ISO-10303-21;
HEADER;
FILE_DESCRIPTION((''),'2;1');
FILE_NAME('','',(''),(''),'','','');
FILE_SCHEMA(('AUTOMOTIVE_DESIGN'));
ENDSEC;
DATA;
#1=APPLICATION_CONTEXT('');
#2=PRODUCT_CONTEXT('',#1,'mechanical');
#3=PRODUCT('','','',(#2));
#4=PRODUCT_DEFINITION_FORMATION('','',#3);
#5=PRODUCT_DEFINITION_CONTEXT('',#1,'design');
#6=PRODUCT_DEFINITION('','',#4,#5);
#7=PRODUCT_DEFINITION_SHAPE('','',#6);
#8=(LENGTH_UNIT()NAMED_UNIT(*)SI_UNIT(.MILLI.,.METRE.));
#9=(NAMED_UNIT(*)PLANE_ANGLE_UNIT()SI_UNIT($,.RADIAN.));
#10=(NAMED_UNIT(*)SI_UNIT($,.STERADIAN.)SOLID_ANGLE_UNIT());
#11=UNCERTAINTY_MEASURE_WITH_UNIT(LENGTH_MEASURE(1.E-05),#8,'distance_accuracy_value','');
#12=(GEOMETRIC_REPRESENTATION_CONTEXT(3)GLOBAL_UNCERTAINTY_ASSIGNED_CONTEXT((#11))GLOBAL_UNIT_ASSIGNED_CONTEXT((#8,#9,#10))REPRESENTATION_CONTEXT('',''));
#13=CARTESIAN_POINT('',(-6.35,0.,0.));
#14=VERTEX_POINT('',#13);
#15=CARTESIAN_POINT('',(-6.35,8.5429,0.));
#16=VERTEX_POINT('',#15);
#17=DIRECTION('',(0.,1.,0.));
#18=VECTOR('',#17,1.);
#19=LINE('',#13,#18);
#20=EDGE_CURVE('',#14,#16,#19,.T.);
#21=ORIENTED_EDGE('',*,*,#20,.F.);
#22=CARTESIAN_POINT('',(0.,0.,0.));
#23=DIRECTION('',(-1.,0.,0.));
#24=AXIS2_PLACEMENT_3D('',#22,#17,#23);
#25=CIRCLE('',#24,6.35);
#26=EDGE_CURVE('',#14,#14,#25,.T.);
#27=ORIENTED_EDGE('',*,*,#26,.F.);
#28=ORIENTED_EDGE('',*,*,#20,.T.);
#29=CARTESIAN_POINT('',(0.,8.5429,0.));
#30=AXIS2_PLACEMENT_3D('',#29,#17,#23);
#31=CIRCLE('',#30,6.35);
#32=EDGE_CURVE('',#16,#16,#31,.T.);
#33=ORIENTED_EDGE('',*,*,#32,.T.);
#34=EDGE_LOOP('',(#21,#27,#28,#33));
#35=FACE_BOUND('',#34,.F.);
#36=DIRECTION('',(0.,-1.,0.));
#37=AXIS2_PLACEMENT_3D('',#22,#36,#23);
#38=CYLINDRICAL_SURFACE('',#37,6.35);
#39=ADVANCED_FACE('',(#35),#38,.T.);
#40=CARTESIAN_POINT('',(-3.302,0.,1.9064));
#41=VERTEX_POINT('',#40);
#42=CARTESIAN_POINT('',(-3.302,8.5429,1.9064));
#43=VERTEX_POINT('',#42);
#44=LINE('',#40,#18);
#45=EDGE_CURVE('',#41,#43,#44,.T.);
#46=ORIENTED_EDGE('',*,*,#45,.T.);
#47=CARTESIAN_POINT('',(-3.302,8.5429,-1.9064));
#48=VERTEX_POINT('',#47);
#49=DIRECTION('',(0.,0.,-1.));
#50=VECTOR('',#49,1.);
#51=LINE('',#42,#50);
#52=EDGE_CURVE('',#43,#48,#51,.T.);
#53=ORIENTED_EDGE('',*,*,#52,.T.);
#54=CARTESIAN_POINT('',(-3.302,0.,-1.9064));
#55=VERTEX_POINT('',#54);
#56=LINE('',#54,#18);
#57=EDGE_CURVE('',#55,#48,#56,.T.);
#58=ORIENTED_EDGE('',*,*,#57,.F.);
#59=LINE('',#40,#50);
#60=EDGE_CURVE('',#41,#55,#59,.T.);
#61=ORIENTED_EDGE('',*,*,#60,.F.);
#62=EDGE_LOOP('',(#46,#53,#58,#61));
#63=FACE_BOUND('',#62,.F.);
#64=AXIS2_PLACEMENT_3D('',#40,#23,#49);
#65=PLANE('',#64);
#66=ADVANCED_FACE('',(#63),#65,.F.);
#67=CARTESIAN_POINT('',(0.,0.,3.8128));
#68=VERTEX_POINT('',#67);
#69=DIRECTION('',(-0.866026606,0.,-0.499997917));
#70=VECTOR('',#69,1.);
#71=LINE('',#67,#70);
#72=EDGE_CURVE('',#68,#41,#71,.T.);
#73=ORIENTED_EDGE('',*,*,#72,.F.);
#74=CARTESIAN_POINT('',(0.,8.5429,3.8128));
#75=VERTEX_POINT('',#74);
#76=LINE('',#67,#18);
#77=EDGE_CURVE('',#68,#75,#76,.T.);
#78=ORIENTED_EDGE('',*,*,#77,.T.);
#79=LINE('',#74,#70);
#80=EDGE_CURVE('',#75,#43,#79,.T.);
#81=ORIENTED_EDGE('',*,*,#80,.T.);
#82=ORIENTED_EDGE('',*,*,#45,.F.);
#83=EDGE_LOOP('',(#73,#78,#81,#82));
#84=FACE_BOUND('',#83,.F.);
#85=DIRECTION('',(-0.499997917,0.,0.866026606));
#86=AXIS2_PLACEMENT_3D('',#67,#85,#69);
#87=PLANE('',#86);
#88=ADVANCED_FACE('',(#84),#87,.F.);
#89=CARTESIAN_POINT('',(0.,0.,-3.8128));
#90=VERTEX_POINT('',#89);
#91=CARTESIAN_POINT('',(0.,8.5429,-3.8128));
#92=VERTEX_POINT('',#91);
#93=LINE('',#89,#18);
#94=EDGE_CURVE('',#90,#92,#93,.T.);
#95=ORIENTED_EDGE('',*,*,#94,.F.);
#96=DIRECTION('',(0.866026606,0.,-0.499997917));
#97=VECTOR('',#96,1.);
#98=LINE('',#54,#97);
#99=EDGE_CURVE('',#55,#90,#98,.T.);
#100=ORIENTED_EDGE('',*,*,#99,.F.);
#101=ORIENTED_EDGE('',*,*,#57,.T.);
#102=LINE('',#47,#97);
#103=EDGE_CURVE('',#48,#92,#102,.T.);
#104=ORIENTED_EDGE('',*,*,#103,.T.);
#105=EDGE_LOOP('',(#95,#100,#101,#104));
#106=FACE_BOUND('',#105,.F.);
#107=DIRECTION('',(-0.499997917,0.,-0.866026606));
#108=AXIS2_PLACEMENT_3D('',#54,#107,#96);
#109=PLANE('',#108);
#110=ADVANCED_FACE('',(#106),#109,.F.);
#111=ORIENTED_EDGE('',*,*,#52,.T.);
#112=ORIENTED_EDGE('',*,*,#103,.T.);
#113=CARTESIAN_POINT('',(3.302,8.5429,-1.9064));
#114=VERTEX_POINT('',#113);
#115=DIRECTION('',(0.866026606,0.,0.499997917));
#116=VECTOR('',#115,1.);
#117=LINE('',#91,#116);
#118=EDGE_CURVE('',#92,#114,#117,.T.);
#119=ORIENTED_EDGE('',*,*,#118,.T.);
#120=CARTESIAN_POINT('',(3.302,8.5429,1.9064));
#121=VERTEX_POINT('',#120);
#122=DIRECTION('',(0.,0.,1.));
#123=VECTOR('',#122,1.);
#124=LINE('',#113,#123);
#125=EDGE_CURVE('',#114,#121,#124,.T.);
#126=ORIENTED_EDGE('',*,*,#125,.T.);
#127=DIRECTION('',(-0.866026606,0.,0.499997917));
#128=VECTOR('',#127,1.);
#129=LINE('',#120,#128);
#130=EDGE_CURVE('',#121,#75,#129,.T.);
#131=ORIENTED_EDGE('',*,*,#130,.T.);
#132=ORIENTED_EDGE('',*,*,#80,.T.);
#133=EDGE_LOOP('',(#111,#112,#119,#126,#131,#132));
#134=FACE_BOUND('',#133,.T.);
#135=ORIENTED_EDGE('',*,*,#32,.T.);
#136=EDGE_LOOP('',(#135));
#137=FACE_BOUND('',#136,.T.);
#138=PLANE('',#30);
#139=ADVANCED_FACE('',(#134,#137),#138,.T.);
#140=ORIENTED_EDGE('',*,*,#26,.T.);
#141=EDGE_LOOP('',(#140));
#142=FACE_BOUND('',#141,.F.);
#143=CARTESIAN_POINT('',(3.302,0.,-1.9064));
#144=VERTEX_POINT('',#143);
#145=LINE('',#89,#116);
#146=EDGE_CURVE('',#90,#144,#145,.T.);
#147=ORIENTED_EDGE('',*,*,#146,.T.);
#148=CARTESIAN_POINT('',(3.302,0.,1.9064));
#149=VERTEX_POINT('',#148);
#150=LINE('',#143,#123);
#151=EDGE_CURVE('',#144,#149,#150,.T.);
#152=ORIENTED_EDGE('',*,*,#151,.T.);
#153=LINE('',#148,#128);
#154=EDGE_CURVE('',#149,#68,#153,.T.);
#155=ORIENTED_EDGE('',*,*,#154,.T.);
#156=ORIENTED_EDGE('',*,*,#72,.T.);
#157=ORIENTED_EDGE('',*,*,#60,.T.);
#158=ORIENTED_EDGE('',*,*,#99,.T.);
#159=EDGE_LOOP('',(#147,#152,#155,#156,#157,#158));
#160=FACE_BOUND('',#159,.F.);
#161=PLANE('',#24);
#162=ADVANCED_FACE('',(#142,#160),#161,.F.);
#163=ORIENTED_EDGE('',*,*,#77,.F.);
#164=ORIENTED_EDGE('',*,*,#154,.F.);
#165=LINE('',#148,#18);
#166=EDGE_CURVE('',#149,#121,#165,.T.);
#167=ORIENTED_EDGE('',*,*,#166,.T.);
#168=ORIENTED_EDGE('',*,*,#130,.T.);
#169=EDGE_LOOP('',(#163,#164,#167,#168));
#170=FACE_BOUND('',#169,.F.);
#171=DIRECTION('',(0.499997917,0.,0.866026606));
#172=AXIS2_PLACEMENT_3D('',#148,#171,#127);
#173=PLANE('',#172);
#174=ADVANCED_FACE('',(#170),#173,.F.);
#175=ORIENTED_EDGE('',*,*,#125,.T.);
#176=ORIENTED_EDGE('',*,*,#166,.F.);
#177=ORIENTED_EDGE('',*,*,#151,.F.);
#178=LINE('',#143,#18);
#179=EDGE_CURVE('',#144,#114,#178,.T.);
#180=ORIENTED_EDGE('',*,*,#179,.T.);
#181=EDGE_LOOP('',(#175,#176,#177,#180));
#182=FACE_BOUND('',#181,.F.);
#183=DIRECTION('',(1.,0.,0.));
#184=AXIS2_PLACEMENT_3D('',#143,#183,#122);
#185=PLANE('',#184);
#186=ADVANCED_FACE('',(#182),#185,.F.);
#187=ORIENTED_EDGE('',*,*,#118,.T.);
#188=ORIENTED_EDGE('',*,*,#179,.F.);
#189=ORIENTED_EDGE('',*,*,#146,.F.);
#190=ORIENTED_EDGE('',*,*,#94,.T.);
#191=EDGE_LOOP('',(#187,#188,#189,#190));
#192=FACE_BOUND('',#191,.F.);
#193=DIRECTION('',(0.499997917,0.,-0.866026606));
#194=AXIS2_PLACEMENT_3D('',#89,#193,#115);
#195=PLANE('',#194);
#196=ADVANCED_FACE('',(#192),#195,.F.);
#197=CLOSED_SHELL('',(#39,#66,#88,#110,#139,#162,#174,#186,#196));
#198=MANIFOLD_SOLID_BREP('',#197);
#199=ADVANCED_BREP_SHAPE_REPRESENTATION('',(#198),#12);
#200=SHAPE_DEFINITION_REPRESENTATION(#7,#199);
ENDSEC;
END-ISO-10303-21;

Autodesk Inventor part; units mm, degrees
ref_plane "YZ Plane" through (0, 0, 0) normal (1, 0, 0) x (0, 1, 0)
ref_plane "XZ Plane" through (0, 0, 0) normal (0, 1, 0) x (-1, 0, 0)
ref_plane "XY Plane" through (0, 0, 0) normal (0, 0, 1) x (1, 0, 0)
sketch "Sketch1" plane through (0, 0, 0) normal (0, 1, 0) x (-1, 0, 0)
  line L0 (0, 3.8128) -> (3.302, 1.9064)
  line L1 (3.302, 1.9064) -> (3.302, -1.9064)
  line L2 (3.302, -1.9064) -> (0, -3.8128)
  line L3 (0, -3.8128) -> (-3.302, -1.9064)
  line L4 (-3.302, -1.9064) -> (-3.302, 1.9064)
  line L5 (-3.302, 1.9064) -> (0, 3.8128)
  circle A0 centre (0, 0) radius 6.35
  dimension "d0" = 6.604
  dimension "d1" = 12.7
extrude "Extrusion1" add sketch "Sketch1" along normal blind 8.5429
properties part number "1_3 Spacer 1_4 Hex Custom" material "PET Plastic"
